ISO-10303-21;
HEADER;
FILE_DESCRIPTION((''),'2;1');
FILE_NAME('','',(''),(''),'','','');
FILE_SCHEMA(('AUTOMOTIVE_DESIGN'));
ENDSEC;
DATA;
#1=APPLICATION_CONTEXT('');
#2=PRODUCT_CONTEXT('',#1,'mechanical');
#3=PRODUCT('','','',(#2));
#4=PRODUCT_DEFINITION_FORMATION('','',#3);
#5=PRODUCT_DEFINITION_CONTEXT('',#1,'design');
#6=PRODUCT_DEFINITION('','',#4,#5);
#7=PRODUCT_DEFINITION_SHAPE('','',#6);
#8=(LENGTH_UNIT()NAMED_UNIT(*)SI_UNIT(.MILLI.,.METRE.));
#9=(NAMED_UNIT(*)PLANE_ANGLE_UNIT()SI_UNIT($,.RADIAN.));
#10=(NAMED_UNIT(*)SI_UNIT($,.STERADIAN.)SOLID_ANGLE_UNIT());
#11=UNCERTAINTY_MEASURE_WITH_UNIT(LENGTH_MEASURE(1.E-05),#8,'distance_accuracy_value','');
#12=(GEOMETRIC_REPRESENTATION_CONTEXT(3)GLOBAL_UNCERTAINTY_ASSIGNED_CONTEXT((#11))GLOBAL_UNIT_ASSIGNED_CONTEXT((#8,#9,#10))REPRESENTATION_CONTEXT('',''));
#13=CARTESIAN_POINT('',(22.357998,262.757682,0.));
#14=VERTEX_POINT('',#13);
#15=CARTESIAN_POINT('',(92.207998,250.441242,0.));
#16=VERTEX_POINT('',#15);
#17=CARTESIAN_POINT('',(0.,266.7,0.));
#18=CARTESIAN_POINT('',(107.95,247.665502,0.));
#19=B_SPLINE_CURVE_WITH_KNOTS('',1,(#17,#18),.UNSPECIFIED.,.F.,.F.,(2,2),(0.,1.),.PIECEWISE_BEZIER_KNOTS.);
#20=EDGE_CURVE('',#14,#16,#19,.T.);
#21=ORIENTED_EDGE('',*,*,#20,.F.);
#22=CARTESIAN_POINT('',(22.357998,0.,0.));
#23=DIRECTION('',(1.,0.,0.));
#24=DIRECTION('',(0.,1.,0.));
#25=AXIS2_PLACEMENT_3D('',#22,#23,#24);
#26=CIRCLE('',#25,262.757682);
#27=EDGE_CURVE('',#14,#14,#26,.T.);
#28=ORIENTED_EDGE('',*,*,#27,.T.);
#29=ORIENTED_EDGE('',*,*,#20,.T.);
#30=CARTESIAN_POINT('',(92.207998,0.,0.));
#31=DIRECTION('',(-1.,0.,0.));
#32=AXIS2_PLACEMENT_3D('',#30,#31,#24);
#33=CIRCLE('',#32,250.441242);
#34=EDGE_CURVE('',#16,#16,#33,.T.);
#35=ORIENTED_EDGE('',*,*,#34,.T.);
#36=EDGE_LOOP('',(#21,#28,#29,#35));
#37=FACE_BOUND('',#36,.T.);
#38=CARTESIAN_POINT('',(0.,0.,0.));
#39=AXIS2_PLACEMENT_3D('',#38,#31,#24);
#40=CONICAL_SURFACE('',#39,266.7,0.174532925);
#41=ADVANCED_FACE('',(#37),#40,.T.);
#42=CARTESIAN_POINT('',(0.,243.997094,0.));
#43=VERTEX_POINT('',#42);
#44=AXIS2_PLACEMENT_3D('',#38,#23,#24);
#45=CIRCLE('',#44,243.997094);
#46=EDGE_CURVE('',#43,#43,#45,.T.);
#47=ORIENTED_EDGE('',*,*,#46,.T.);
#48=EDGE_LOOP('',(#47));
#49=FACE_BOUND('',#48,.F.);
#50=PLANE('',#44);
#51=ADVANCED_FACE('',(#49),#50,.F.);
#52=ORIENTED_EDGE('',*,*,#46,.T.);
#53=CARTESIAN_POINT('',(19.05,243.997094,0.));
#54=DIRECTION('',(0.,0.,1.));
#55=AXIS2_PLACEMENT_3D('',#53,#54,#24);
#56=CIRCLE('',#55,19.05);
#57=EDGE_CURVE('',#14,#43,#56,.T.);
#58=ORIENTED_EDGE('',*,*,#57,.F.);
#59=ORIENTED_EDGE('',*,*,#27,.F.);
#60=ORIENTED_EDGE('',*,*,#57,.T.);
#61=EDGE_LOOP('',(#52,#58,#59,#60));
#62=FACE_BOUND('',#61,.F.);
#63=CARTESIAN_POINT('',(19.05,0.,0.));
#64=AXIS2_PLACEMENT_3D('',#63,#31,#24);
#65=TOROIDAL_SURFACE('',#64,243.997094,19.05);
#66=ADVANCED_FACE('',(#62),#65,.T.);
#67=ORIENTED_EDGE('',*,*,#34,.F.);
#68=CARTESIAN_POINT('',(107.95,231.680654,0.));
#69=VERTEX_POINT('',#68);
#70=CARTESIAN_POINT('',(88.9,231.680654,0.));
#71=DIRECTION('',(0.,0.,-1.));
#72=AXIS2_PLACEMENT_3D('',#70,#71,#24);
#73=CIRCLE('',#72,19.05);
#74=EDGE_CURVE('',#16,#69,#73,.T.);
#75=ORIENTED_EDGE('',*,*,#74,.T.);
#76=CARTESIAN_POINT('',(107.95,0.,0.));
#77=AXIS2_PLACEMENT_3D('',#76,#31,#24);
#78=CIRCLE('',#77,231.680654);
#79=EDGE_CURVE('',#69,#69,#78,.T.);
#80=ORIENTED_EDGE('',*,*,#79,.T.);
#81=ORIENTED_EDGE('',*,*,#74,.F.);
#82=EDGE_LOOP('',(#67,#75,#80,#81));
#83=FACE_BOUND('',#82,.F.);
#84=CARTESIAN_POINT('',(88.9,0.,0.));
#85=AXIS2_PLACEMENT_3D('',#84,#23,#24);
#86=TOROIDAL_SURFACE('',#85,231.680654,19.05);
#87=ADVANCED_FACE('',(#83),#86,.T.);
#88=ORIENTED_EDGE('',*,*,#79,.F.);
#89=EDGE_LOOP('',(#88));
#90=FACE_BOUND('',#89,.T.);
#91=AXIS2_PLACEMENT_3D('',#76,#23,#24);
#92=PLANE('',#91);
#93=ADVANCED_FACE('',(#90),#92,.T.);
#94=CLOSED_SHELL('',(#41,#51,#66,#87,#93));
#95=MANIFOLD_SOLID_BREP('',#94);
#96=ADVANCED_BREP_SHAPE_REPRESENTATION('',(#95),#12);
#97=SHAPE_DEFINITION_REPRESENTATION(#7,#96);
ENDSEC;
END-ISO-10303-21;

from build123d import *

# Parameters (mm, degrees)
F1_R     = 266.7
F2_DEPTH = 107.95
F2_TAPER = 10
F3_R     = 19.05


with BuildPart() as f2:
    # F1 (on Right) → F2 (new body)
    with BuildSketch(Plane.YZ):
        Circle(F1_R)
    extrude(amount=F2_DEPTH, taper=F2_TAPER)

    # F3
    f3_edges = [f2.edges().sort_by_distance(p)[0] for p in [
        (107.95, -247.665502, 0),
        (0, -266.7, 0),
    ]]
    fillet(f3_edges, radius=F3_R)


solid = f2.part
